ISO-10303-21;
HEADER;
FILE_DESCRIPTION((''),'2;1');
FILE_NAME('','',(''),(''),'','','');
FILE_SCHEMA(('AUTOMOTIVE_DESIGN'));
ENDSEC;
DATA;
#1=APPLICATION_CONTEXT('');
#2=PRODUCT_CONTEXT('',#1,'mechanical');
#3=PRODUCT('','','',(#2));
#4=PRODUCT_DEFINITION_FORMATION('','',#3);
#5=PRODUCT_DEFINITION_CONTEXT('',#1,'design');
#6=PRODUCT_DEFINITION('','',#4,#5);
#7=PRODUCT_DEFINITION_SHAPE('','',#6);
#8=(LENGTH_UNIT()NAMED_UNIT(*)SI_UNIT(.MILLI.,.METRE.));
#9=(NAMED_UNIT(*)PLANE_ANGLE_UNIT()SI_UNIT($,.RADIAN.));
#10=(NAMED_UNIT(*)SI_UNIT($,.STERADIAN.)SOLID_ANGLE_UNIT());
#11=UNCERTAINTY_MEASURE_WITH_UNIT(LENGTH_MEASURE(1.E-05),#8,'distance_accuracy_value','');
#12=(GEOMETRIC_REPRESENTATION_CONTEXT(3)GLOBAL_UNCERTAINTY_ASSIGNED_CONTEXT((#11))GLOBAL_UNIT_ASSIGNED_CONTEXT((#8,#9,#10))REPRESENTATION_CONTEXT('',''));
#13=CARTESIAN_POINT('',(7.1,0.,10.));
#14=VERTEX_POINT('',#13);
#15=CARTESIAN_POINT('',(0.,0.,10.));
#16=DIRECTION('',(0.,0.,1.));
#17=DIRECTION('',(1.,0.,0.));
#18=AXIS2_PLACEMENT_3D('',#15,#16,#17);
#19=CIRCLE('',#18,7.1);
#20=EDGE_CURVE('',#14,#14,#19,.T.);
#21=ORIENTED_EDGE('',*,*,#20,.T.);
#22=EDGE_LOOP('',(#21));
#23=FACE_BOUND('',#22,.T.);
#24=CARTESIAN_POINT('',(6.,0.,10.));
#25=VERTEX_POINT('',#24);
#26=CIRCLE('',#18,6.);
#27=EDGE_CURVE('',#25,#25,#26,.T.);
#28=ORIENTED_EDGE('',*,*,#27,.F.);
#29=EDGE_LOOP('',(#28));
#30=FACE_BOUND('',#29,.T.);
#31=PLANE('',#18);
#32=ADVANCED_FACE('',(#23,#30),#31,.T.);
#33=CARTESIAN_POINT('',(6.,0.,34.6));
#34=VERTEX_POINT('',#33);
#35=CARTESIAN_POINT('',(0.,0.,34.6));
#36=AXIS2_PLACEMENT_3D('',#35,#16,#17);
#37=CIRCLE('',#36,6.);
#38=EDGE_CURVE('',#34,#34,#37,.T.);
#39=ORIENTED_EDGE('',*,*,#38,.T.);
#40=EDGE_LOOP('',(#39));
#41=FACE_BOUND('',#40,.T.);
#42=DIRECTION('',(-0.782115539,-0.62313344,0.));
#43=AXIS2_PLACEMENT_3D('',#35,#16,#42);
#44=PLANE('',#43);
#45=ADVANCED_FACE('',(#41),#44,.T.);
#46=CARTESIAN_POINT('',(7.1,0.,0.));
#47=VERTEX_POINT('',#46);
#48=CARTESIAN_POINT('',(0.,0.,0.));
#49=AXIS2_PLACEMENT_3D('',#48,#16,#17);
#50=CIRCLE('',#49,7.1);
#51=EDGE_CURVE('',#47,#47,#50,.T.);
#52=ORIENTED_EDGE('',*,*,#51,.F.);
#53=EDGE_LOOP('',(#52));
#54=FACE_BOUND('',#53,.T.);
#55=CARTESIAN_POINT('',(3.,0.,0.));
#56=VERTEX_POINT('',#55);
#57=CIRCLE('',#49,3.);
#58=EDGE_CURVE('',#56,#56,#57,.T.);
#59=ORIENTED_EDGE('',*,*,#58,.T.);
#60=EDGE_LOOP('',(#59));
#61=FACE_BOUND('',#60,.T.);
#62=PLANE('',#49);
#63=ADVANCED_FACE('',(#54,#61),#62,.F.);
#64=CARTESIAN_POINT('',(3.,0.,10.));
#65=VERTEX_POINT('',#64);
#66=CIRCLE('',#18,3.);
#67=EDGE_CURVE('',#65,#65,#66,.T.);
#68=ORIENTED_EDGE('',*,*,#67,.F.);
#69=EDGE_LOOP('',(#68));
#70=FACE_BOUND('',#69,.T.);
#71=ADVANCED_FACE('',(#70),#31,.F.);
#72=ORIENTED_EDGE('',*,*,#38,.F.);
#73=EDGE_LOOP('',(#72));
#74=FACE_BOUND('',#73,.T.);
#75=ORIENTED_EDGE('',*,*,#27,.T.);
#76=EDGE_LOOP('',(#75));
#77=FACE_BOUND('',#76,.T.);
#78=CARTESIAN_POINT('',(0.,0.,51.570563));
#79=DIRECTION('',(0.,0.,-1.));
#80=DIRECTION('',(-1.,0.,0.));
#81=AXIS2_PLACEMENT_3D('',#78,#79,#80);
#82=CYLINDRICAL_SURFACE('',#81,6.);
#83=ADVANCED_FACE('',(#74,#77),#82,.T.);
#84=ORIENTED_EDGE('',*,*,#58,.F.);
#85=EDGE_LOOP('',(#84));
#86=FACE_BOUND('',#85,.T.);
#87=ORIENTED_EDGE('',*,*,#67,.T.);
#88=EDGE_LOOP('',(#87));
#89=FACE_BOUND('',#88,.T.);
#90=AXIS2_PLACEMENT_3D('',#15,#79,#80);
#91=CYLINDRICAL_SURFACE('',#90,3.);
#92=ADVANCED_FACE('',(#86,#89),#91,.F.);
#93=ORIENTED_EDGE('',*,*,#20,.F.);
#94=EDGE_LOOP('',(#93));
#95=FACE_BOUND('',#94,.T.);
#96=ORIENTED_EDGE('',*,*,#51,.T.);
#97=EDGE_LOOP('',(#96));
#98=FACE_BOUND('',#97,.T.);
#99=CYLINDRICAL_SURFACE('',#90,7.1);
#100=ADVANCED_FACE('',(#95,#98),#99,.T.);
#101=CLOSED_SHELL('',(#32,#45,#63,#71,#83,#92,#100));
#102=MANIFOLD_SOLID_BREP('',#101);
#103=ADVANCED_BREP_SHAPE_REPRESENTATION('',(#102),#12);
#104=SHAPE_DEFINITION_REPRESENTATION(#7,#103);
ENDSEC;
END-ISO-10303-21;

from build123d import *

# Parameters (mm, degrees)
SKETCH1_R           = 7.1
SKETCH1_R_2         = 3
BOSS_EXTRUDE1_DEPTH = 10
SKETCH2_R           = 6
BOSS_EXTRUDE2_DEPTH = 24.6


with BuildPart() as part:
    # Sketch1 → Boss-Extrude1 (new body)
    with BuildSketch(Plane.XY):
        Circle(SKETCH1_R)
        Circle(SKETCH1_R_2, mode=Mode.SUBTRACT)
    extrude(amount=BOSS_EXTRUDE1_DEPTH)

    # Sketch2 → Boss-Extrude2 (add)
    with BuildSketch(Plane.XY.offset(10)):
        Circle(SKETCH2_R)
    extrude(amount=BOSS_EXTRUDE2_DEPTH)


solid = part.part
